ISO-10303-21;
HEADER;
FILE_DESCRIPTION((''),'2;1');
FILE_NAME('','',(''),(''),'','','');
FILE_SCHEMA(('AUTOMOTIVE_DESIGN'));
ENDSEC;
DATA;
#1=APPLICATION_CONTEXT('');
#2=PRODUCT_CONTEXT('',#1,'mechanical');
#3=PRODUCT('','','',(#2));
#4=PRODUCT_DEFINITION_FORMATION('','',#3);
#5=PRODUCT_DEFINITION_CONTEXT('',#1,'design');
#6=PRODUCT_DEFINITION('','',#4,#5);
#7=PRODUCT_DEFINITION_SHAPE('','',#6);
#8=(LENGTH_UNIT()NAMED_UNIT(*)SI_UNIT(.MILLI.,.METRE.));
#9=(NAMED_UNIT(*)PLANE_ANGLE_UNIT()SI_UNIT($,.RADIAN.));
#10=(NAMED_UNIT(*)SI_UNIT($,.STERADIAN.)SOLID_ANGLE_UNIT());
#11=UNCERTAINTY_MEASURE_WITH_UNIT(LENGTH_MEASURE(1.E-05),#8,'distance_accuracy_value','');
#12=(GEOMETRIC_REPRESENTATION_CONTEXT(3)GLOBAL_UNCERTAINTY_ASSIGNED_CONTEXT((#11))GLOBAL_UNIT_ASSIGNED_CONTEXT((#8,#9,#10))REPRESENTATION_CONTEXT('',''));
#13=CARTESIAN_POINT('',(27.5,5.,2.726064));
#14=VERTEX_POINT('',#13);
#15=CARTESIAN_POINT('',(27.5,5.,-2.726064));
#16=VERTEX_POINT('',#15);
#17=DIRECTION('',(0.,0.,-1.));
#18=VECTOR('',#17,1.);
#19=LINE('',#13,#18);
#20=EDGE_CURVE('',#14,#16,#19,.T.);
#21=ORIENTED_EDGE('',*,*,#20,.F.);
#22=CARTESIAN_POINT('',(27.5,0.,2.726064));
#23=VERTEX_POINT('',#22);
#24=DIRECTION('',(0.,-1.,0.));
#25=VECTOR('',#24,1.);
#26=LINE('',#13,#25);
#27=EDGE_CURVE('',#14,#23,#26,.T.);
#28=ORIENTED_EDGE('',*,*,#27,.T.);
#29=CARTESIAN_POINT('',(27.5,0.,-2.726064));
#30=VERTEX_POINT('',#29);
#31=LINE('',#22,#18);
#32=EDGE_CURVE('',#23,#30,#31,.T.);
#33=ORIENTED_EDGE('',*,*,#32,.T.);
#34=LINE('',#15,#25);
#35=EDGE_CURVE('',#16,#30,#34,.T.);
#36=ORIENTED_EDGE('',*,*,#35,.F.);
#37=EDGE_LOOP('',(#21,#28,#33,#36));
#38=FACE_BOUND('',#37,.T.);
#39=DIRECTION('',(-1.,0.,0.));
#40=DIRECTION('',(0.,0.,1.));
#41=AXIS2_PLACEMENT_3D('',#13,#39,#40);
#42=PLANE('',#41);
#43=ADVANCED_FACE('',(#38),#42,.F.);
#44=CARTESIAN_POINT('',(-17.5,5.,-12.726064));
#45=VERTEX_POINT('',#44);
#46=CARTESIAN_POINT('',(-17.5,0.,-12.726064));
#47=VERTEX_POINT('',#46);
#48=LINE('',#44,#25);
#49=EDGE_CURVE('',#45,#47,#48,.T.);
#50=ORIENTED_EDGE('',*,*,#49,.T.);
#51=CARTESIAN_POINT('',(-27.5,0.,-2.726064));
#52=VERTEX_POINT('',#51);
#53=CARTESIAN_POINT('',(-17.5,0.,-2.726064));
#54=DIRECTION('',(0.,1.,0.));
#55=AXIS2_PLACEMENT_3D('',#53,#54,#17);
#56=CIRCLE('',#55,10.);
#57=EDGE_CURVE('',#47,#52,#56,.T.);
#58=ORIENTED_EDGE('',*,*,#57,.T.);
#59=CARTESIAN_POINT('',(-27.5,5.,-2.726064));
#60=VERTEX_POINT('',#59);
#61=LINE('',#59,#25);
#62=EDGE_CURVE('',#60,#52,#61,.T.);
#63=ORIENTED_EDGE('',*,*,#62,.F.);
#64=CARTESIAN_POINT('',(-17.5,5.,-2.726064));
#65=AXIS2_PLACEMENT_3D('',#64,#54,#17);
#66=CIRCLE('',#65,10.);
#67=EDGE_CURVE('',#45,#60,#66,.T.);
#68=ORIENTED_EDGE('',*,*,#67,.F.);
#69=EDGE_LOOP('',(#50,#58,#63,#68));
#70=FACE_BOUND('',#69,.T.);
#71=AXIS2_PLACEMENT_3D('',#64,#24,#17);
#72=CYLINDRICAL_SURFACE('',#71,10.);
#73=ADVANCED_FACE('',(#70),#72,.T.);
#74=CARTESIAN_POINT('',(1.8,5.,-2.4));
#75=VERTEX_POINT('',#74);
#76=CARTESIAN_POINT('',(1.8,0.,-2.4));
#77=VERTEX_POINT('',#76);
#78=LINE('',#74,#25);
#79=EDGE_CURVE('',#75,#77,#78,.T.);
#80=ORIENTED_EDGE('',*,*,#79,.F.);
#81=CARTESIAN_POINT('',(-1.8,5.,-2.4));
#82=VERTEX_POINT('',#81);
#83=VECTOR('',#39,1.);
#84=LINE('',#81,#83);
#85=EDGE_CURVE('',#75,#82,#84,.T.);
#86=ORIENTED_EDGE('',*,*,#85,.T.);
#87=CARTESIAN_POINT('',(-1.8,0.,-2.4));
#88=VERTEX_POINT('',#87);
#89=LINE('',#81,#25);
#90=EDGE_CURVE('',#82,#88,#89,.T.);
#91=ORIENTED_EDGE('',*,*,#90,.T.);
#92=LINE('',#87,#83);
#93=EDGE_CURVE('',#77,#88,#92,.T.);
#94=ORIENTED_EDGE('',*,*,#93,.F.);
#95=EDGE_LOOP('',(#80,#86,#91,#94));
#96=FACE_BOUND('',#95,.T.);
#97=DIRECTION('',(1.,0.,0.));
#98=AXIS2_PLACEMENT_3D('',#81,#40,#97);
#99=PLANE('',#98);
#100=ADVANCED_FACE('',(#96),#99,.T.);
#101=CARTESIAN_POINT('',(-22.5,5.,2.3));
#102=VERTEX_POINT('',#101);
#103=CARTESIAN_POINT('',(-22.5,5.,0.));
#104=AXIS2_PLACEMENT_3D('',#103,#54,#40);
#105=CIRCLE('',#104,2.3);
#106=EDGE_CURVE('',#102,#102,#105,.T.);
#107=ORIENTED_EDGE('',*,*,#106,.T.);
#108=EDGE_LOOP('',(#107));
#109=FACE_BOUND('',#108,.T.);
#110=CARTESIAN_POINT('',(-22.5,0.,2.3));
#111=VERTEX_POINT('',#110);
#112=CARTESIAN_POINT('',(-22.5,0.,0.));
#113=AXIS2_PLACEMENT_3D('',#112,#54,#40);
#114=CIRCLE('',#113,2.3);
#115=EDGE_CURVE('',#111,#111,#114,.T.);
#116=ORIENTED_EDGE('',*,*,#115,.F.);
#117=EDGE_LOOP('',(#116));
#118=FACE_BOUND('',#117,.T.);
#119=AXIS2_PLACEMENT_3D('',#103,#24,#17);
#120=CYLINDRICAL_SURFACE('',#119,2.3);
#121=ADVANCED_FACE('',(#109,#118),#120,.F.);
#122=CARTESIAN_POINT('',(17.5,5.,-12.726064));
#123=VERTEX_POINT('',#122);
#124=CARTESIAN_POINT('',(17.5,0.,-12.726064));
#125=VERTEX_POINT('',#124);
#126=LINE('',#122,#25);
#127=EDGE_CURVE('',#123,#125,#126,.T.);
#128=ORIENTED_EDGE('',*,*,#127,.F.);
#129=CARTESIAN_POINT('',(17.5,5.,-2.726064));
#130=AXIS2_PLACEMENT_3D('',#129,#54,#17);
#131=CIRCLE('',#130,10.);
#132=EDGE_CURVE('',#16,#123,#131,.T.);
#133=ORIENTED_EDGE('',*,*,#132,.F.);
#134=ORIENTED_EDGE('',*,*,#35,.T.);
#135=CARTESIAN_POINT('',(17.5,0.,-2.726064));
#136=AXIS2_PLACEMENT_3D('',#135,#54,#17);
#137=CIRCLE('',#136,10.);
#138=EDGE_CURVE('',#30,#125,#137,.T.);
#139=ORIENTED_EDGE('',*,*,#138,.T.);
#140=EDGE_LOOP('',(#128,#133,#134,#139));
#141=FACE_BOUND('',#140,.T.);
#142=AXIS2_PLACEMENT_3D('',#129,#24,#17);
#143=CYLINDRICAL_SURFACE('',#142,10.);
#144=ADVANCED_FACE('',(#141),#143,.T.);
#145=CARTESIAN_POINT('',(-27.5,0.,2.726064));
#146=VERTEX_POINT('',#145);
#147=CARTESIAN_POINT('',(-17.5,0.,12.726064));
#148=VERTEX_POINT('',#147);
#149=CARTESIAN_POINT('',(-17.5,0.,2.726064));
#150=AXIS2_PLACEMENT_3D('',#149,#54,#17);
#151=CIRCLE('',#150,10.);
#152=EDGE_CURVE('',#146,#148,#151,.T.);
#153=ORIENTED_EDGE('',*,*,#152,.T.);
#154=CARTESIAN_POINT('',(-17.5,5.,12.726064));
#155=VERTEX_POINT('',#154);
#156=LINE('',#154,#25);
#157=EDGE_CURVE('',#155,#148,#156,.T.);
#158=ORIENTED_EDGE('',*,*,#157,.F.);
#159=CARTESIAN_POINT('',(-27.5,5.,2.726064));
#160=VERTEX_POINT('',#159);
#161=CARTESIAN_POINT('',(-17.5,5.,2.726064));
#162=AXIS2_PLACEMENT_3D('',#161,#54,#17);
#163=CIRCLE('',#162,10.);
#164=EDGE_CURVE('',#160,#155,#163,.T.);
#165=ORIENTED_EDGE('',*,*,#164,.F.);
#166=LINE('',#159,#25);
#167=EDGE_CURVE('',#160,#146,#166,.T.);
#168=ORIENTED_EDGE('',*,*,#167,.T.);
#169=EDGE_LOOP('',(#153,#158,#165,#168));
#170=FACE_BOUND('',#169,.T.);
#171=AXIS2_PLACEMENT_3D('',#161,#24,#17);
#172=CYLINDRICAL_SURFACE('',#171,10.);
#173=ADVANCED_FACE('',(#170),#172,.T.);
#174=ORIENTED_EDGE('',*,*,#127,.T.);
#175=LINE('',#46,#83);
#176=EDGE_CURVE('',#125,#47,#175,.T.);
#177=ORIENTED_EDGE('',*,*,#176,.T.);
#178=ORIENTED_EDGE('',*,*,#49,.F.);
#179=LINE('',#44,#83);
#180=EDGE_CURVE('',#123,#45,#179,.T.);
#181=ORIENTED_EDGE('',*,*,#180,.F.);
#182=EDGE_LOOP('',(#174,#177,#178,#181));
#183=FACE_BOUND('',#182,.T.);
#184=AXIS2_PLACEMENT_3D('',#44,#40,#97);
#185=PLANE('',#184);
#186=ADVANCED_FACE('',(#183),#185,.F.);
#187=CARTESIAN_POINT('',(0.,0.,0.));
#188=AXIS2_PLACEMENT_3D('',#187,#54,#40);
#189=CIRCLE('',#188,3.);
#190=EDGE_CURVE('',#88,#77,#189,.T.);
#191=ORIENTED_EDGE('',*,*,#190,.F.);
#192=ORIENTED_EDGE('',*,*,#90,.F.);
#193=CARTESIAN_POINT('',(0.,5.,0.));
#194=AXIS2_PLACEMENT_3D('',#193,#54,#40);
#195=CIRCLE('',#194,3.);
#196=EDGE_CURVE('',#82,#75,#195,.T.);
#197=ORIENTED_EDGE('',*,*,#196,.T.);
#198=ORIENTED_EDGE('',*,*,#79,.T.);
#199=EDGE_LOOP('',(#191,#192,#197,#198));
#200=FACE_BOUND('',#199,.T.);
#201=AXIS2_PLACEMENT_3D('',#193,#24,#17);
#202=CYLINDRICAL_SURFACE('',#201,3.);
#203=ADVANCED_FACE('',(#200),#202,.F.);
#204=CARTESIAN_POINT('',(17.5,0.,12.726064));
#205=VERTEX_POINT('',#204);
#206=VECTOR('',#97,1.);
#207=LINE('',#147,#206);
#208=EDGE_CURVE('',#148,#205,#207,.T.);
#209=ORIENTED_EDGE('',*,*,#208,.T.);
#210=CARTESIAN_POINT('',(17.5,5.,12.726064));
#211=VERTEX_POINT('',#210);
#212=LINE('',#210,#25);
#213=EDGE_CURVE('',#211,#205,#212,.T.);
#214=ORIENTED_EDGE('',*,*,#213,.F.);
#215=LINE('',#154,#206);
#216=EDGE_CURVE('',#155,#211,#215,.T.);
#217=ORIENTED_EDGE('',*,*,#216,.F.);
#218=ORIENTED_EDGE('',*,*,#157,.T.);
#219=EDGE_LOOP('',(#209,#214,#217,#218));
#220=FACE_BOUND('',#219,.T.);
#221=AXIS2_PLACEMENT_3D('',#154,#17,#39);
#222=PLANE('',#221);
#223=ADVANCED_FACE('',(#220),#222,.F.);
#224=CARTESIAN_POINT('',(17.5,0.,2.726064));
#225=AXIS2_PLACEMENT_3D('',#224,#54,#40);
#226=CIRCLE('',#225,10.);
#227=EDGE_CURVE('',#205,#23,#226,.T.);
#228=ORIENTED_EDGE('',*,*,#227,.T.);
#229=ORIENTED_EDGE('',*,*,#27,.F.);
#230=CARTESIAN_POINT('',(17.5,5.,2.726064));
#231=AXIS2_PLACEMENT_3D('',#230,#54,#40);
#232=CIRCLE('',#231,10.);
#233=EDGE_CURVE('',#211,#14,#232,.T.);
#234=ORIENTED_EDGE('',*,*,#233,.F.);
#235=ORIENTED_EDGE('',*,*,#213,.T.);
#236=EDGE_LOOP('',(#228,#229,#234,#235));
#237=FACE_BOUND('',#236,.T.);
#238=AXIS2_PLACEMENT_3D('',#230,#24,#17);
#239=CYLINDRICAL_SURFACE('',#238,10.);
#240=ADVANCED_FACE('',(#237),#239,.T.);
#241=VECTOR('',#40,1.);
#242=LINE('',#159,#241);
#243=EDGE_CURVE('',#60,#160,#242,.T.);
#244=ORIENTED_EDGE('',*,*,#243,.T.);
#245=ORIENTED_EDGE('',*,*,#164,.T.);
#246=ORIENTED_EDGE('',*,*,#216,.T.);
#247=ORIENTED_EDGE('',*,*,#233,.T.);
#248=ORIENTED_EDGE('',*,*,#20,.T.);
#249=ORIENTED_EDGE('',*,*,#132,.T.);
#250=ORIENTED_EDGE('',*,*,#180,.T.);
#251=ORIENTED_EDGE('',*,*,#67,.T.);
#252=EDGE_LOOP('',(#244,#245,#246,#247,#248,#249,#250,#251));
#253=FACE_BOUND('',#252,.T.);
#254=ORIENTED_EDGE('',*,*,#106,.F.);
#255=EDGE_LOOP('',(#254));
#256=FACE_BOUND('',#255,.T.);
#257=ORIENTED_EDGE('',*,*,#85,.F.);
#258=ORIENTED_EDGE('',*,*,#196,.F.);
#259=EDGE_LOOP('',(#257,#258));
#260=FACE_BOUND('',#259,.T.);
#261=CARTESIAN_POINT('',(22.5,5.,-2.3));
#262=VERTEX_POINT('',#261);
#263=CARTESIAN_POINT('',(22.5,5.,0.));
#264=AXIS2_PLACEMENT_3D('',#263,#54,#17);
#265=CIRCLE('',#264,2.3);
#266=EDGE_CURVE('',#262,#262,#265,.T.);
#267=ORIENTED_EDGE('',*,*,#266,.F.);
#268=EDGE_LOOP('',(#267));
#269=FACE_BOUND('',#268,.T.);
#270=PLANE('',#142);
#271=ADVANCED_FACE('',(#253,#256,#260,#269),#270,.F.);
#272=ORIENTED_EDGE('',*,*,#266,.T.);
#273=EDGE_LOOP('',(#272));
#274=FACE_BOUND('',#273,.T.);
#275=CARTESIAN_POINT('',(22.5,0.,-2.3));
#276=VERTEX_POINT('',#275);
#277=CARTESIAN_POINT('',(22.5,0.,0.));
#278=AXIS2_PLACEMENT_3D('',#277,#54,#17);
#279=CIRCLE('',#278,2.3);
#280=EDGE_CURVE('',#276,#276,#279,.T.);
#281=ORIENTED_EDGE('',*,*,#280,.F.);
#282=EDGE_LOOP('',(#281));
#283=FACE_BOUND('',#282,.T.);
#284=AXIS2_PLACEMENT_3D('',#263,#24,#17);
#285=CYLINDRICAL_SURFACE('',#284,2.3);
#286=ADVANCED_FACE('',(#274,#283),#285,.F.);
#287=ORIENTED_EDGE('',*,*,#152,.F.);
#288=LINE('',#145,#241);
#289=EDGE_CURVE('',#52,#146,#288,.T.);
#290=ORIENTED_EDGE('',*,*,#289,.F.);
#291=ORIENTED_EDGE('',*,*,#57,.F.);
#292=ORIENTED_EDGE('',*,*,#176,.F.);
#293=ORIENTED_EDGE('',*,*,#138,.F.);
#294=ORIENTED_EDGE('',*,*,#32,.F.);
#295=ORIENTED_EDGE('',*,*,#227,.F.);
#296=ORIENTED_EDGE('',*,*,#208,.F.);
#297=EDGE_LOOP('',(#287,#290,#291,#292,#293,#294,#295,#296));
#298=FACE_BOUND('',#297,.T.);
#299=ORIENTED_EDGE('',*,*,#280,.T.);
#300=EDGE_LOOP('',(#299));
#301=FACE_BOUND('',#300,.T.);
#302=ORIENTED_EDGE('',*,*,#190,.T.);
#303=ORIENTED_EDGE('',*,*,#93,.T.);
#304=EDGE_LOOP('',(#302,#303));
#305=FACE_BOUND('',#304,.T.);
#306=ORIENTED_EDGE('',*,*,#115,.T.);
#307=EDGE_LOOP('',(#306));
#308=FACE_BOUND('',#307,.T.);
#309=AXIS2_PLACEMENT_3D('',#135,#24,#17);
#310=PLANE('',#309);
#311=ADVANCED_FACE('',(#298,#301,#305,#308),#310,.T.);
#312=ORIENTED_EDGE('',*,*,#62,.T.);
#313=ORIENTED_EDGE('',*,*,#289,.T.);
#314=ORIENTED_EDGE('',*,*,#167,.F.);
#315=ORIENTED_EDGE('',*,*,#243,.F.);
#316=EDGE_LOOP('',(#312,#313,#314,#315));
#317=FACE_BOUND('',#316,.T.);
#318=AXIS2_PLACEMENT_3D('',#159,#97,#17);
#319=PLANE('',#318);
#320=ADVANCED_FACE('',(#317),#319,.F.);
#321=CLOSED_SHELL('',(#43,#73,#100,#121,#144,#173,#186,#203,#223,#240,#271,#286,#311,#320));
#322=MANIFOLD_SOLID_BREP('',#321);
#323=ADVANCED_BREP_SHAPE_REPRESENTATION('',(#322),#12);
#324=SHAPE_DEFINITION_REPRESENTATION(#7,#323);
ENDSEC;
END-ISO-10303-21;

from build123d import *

# Parameters (mm, degrees)
SZKIC1_R                    = 2.3
DODANIE_WYCI_GNI_CIE1_DEPTH = 5


with BuildPart() as part:
    # Szkic1 → Dodanie-wyciągnięcie1 (new body)
    with BuildSketch(Plane(origin=(0, 0, 0), x_dir=(1, 0, 0), z_dir=(0, 1, 0))):
        with BuildLine():
            Line((-17.5, -12.72606383), (17.5, -12.72606383))
            ThreePointArc((17.5, -12.72606383), (24.571067812, -9.797131642), (27.5, -2.72606383))
            Line((27.5, -2.72606383), (27.5, 2.72606383))
            ThreePointArc((27.5, 2.72606383), (24.571067812, 9.797131642), (17.5, 12.72606383))
            Line((17.5, 12.72606383), (-17.5, 12.72606383))
            ThreePointArc((-17.5, 12.72606383), (-24.571067812, 9.797131642), (-27.5, 2.72606383))
            Line((-27.5, 2.72606383), (-27.5, -2.72606383))
            ThreePointArc((-27.5, -2.72606383), (-24.571067812, -9.797131642), (-17.5, -12.72606383))
        make_face()
        with Locations(Location((-22.5, 0, 0), (0, 0, 270))):
            Circle(SZKIC1_R, mode=Mode.SUBTRACT)
        with Locations(Location((22.5, 0, 0), (0, 0, 90))):
            Circle(SZKIC1_R, mode=Mode.SUBTRACT)
        with BuildLine():
            Line((-1.8, 2.4), (1.8, 2.4))
            ThreePointArc((1.8, 2.4), (0, -3), (-1.8, 2.4))
        make_face(mode=Mode.SUBTRACT)
    extrude(amount=DODANIE_WYCI_GNI_CIE1_DEPTH)


solid = part.part
